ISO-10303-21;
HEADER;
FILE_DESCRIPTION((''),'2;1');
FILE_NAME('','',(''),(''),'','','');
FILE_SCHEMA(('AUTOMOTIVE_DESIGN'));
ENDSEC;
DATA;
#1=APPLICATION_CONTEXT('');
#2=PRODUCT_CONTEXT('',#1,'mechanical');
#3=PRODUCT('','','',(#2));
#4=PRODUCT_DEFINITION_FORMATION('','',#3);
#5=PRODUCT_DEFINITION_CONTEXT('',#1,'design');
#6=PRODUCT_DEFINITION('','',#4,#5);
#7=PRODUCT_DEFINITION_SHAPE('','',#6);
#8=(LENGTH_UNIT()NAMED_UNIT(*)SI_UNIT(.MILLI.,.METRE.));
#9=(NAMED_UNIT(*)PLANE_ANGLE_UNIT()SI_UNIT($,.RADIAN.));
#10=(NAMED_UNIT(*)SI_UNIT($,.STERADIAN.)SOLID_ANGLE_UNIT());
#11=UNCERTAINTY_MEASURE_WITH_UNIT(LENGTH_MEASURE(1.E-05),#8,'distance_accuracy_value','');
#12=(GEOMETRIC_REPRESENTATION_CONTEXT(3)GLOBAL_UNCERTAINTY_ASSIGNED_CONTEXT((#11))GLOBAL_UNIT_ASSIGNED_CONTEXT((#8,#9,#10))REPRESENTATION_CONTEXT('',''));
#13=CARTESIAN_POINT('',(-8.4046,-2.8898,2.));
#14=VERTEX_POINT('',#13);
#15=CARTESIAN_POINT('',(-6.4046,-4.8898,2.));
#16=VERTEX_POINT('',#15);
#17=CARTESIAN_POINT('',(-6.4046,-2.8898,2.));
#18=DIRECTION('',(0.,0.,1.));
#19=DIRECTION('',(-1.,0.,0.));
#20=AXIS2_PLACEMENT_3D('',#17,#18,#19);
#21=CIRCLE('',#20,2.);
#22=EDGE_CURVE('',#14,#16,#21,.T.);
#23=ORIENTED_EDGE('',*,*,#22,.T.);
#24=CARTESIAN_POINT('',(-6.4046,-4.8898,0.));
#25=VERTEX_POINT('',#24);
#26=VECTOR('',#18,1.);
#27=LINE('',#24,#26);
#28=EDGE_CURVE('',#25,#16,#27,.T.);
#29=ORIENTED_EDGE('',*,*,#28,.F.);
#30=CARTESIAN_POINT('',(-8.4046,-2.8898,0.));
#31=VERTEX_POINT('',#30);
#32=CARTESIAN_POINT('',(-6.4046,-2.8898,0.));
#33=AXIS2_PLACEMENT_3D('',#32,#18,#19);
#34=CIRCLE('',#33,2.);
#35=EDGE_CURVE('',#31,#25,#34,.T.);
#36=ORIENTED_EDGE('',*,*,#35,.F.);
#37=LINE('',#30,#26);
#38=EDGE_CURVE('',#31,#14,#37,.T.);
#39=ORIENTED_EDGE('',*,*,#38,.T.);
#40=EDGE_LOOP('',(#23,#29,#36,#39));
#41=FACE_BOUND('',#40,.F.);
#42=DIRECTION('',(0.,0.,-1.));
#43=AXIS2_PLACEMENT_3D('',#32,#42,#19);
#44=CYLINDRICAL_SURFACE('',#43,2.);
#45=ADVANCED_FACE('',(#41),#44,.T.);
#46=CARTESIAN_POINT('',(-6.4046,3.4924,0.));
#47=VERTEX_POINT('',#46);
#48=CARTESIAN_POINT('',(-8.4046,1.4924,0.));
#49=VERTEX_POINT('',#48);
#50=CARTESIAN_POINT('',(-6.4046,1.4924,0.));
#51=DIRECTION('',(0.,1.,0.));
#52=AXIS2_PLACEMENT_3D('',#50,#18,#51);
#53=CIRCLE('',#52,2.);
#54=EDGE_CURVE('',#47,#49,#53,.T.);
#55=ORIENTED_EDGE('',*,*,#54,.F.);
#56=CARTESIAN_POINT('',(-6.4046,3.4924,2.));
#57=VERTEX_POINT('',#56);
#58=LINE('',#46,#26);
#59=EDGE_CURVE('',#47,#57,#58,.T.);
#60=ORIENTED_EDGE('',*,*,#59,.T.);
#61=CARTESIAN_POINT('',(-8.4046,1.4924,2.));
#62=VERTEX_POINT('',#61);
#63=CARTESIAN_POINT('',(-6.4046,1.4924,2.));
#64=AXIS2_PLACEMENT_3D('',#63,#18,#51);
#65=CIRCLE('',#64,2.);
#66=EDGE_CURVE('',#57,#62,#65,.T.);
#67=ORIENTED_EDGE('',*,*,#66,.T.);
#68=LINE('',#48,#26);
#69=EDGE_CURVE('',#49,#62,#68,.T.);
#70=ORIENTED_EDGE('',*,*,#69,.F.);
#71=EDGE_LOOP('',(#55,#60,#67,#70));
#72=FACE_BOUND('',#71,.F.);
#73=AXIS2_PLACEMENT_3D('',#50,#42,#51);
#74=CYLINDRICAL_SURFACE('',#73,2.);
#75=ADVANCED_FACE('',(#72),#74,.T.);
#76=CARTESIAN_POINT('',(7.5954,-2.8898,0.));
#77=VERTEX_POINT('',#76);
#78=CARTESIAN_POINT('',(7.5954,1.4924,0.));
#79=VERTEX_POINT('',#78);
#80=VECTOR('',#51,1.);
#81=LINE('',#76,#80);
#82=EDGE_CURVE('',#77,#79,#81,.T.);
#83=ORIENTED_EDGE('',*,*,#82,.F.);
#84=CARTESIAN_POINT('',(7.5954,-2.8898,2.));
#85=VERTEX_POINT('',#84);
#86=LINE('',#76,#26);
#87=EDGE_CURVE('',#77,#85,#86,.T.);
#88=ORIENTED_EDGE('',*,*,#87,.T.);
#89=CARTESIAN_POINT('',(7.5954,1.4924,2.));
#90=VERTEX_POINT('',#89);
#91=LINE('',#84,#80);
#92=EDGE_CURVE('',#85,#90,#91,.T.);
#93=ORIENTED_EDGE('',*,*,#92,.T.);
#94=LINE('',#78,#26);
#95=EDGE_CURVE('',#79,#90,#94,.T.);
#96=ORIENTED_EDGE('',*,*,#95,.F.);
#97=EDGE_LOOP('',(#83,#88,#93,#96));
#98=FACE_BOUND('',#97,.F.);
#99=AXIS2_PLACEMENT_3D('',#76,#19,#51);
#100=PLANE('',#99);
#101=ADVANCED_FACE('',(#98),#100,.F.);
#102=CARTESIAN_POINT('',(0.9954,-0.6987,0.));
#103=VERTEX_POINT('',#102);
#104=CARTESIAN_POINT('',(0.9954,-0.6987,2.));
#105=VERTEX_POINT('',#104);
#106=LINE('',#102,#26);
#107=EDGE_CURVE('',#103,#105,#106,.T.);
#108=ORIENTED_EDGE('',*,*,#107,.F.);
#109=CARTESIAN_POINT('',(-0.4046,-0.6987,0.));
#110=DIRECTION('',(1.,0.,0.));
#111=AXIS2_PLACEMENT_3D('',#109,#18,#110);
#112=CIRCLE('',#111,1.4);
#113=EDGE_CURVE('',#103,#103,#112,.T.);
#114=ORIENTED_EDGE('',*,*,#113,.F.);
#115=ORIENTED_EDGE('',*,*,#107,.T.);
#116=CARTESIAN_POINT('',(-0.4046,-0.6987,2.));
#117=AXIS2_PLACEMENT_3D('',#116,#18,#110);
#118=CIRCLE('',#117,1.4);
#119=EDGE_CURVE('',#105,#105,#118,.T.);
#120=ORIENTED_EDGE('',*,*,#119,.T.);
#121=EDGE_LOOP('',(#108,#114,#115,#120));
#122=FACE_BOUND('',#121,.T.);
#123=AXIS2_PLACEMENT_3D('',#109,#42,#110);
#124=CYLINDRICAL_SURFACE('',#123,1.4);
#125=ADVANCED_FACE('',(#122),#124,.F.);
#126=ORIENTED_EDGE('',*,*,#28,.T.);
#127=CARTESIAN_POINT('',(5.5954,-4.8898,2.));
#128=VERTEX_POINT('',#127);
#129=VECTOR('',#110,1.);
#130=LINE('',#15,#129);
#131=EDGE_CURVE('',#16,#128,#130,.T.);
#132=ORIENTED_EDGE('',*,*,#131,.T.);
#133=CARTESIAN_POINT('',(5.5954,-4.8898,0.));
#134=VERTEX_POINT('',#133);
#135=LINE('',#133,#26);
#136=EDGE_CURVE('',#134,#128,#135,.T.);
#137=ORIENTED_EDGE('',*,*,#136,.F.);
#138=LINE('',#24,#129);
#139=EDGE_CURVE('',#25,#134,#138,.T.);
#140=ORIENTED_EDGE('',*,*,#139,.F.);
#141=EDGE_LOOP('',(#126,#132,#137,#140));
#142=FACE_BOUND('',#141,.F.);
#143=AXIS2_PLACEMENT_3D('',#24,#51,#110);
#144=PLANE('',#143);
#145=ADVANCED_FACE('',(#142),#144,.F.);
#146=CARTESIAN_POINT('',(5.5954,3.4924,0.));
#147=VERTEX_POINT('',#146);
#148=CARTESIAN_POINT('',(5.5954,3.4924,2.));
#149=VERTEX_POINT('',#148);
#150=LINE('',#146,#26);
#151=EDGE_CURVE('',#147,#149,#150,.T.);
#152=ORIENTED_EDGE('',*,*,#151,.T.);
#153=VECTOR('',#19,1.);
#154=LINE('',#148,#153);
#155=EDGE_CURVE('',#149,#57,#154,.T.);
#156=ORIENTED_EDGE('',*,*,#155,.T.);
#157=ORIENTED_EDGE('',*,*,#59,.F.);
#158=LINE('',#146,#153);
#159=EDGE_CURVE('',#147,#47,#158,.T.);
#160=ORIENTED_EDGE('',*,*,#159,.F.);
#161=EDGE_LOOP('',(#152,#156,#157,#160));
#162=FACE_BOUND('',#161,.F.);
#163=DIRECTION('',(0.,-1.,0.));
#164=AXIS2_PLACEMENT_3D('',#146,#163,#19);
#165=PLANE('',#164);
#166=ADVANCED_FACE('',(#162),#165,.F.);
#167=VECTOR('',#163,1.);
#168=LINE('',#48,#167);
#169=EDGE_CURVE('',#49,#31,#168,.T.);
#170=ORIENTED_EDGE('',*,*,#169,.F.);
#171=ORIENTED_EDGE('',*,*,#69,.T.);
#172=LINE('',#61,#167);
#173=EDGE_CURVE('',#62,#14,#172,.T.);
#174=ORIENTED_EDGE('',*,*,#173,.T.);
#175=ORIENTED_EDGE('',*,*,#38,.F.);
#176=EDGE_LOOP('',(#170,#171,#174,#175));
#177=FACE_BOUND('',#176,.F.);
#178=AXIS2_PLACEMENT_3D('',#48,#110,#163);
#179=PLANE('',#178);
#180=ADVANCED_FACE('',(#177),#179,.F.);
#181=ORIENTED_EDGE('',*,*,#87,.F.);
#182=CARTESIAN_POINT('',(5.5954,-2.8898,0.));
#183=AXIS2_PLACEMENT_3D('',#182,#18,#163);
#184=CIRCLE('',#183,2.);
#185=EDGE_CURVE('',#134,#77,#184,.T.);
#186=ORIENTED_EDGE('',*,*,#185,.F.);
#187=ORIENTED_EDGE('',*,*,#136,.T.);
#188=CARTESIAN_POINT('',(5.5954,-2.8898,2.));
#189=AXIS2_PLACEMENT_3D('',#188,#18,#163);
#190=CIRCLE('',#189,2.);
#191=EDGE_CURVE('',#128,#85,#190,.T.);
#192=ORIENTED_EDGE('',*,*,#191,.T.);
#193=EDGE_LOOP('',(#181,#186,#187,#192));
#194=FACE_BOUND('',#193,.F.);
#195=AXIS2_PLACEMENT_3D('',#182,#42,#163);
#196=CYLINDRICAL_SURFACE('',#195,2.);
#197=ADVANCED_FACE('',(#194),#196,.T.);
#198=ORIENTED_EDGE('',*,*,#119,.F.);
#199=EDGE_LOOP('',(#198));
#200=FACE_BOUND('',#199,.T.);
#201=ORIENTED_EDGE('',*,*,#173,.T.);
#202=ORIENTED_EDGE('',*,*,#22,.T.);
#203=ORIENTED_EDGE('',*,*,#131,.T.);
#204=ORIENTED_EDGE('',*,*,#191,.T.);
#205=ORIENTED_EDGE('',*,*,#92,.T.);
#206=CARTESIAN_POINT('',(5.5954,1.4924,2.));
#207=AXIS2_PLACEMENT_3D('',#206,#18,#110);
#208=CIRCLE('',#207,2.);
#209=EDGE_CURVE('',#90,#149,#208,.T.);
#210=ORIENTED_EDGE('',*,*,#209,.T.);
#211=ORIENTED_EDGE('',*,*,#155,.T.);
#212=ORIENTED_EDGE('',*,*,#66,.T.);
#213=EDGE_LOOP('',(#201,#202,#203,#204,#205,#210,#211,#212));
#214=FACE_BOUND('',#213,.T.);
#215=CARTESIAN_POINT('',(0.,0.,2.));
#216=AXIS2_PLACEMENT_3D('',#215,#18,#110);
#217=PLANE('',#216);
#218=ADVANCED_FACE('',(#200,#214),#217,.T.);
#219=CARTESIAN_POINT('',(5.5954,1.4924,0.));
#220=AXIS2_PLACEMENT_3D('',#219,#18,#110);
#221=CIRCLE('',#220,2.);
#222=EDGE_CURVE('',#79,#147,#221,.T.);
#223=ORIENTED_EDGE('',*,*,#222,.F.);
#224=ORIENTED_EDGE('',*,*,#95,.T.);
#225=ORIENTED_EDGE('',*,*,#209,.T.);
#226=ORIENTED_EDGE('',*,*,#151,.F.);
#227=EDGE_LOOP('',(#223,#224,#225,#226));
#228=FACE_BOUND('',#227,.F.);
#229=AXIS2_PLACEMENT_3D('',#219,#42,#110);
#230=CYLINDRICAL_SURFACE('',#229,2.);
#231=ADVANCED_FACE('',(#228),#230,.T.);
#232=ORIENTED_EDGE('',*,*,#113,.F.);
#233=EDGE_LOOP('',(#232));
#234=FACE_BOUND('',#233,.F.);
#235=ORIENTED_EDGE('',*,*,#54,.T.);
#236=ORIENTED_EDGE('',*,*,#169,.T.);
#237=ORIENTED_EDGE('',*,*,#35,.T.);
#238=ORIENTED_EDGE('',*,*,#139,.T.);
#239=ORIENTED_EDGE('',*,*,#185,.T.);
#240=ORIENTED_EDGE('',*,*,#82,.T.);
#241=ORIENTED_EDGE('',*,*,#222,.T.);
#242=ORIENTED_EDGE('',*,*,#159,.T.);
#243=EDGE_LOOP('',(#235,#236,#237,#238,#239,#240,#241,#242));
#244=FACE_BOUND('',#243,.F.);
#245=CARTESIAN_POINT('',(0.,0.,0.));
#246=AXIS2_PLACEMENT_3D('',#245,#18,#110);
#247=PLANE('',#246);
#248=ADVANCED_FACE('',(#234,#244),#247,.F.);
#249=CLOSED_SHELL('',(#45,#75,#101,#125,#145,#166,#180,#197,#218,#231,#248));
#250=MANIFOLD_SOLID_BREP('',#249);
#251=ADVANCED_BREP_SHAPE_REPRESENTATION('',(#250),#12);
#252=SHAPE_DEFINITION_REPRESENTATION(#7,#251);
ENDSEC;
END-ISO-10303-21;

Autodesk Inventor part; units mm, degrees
ref_plane "YZ Plane" through (0, 0, 0) normal (1, 0, 0) x (0, 1, 0)
ref_plane "XZ Plane" through (0, 0, 0) normal (0, 1, 0) x (-1, 0, 0)
ref_plane "XY Plane" through (0, 0, 0) normal (0, 0, 1) x (1, 0, 0)
sketch "washer_sketch" plane through (0, 0, 0) normal (0, 0, 1) x (1, 0, 0)
  arc A0 (0.0668, 4.8898) -> (-1.1152, 4.3995) centre (0.2018, 2.8944) ccw construction
  line L0 (-7.8667, -1.508) -> (-1.1152, 4.3995) construction
  arc A1 (-7.8667, -1.508) -> (-8.5497, -3.0131) centre (-6.5497, -3.0131) ccw construction
  line L1 (-8.5497, -4.8898) -> (-8.5497, -3.0131) construction
  line L2 (8.5497, -4.8898) -> (-8.5497, -4.8898) construction
  line L3 (1.5081, 4.1255) -> (8.5497, -4.8898) construction
  arc A2 (1.5081, 4.1255) -> (0.0668, 4.8898) centre (-0.0681, 2.8944) ccw construction
  circle A3 centre (-0.4046, -0.6987) radius 3.55 construction
  circle A4 centre (-0.4046, -0.6987) radius 3.55 construction
  circle A5 centre (-0.4046, -0.6987) radius 1.4 projected
  line L4 (-6.4046, -4.8898) -> (5.5954, -4.8898)
  line L5 (7.5954, -2.8898) -> (7.5954, 1.4924)
  line L6 (5.5954, 3.4924) -> (-6.4046, 3.4924)
  line L7 (-8.4046, 1.4924) -> (-8.4046, -2.8898)
  arc A6 (-8.4046, -2.8898) -> (-6.4046, -4.8898) centre (-6.4046, -2.8898) ccw
  arc A7 (-6.4046, 3.4924) -> (-8.4046, 1.4924) centre (-6.4046, 1.4924) ccw
  arc A8 (7.5954, 1.4924) -> (5.5954, 3.4924) centre (5.5954, 1.4924) ccw
  arc A9 (5.5954, -4.8898) -> (7.5954, -2.8898) centre (5.5954, -2.8898) ccw
  point P0 (0, 0)
  point P1 (-8.4046, -4.8898)
  point P2 (7.5954, 3.4924)
  point P3 (-8.4046, 3.4924)
  dimension "d0" = 16
  dimension "d1" = 8
  dimension "d2" = 4.1911
  dimension "d3" = 4.1911
  dimension "d4" = 2
extrude "washer" add sketch "washer_sketch" along normal blind 2
equation "\"d1\" = 0.5 * d0"
equation "\"d3\" = d2"
properties part number "mount_linear_stepper_washer"
